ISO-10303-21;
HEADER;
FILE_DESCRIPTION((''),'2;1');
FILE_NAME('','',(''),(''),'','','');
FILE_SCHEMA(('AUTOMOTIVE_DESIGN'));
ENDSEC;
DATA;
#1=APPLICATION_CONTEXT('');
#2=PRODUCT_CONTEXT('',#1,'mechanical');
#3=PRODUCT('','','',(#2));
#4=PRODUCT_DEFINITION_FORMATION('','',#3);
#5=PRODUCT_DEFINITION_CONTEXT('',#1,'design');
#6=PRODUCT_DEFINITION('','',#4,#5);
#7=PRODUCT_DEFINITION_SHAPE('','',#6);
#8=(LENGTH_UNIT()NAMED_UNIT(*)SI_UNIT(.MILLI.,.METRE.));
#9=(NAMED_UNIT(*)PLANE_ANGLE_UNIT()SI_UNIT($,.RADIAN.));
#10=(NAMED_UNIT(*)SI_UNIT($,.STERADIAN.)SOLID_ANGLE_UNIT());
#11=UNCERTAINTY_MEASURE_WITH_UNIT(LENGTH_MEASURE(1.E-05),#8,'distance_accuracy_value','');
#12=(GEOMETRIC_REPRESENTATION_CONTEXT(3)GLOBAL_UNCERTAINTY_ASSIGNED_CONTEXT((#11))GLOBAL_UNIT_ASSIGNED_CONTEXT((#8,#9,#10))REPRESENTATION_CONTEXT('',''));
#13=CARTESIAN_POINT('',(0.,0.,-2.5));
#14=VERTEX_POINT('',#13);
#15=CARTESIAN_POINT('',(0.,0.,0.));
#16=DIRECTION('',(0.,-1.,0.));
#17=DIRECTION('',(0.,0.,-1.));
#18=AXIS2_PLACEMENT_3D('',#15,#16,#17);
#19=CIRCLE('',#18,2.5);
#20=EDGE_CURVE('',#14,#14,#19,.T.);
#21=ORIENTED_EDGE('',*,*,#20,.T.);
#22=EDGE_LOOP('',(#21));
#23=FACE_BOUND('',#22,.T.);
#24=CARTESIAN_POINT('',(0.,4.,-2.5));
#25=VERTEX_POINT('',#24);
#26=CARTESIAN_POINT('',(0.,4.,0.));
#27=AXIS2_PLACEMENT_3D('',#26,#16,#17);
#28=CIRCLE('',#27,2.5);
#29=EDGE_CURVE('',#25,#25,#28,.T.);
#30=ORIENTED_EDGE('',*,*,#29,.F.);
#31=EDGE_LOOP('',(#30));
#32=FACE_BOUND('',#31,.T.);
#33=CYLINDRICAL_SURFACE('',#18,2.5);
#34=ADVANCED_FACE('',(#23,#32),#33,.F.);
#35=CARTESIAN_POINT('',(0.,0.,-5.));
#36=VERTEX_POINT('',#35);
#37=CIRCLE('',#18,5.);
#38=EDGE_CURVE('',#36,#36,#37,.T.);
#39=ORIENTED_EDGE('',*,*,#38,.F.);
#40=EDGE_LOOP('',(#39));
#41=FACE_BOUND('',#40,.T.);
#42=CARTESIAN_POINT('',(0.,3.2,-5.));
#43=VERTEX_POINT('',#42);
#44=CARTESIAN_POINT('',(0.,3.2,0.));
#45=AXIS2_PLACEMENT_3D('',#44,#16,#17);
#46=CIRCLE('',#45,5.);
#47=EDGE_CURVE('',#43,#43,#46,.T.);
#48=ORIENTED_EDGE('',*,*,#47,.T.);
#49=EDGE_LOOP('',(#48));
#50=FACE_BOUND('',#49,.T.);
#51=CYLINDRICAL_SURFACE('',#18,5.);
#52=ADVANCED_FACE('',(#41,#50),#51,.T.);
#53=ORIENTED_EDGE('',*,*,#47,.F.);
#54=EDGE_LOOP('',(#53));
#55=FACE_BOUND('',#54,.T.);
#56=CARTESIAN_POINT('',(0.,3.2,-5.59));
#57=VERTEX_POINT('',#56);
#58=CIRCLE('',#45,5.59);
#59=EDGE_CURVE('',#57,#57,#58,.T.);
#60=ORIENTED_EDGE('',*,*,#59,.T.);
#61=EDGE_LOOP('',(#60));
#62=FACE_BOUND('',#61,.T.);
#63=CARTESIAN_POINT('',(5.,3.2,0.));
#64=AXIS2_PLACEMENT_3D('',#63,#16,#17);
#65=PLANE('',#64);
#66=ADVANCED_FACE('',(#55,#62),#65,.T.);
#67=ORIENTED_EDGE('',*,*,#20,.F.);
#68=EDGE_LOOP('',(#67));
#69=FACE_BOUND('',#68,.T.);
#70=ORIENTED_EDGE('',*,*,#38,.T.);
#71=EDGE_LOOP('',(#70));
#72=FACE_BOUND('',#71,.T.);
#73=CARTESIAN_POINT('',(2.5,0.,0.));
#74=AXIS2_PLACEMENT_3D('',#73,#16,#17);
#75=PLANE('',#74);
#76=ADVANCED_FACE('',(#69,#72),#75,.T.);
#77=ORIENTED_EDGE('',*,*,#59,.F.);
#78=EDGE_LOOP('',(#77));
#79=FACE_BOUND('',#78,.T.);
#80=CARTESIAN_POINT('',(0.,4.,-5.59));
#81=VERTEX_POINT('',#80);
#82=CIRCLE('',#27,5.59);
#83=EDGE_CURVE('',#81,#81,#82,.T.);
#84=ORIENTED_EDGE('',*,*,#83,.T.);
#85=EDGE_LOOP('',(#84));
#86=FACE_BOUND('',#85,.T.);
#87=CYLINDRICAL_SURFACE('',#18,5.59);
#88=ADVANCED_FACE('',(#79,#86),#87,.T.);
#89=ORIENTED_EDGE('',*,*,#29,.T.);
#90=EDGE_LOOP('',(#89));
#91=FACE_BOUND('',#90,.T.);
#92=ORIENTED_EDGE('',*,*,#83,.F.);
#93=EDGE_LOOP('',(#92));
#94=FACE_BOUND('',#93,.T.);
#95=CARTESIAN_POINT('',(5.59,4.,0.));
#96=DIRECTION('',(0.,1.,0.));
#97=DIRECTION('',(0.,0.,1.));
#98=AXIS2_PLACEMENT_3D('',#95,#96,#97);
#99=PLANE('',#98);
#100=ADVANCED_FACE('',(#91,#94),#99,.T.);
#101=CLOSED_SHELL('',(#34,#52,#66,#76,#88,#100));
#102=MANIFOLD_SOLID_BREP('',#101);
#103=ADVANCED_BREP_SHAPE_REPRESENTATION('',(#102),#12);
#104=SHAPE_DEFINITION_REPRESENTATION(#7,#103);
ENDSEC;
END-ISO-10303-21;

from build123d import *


with BuildPart() as part:
    # Schizzo1 → Rivoluzione1 (revolve)
    with BuildSketch(Plane.XY, mode=Mode.PRIVATE) as rivoluzione1_sk:
        Polygon((2.5, 4), (2.5, 0), (5, 0), (5, 3.2), (5.59, 3.2), (5.59, 4), align=None)
    revolve(rivoluzione1_sk.sketch.rotate(Axis((0, 0, 0), (0, 1, 0)), 90), axis=Axis((0, 0, 0), (0, 1, 0)))


solid = part.part
